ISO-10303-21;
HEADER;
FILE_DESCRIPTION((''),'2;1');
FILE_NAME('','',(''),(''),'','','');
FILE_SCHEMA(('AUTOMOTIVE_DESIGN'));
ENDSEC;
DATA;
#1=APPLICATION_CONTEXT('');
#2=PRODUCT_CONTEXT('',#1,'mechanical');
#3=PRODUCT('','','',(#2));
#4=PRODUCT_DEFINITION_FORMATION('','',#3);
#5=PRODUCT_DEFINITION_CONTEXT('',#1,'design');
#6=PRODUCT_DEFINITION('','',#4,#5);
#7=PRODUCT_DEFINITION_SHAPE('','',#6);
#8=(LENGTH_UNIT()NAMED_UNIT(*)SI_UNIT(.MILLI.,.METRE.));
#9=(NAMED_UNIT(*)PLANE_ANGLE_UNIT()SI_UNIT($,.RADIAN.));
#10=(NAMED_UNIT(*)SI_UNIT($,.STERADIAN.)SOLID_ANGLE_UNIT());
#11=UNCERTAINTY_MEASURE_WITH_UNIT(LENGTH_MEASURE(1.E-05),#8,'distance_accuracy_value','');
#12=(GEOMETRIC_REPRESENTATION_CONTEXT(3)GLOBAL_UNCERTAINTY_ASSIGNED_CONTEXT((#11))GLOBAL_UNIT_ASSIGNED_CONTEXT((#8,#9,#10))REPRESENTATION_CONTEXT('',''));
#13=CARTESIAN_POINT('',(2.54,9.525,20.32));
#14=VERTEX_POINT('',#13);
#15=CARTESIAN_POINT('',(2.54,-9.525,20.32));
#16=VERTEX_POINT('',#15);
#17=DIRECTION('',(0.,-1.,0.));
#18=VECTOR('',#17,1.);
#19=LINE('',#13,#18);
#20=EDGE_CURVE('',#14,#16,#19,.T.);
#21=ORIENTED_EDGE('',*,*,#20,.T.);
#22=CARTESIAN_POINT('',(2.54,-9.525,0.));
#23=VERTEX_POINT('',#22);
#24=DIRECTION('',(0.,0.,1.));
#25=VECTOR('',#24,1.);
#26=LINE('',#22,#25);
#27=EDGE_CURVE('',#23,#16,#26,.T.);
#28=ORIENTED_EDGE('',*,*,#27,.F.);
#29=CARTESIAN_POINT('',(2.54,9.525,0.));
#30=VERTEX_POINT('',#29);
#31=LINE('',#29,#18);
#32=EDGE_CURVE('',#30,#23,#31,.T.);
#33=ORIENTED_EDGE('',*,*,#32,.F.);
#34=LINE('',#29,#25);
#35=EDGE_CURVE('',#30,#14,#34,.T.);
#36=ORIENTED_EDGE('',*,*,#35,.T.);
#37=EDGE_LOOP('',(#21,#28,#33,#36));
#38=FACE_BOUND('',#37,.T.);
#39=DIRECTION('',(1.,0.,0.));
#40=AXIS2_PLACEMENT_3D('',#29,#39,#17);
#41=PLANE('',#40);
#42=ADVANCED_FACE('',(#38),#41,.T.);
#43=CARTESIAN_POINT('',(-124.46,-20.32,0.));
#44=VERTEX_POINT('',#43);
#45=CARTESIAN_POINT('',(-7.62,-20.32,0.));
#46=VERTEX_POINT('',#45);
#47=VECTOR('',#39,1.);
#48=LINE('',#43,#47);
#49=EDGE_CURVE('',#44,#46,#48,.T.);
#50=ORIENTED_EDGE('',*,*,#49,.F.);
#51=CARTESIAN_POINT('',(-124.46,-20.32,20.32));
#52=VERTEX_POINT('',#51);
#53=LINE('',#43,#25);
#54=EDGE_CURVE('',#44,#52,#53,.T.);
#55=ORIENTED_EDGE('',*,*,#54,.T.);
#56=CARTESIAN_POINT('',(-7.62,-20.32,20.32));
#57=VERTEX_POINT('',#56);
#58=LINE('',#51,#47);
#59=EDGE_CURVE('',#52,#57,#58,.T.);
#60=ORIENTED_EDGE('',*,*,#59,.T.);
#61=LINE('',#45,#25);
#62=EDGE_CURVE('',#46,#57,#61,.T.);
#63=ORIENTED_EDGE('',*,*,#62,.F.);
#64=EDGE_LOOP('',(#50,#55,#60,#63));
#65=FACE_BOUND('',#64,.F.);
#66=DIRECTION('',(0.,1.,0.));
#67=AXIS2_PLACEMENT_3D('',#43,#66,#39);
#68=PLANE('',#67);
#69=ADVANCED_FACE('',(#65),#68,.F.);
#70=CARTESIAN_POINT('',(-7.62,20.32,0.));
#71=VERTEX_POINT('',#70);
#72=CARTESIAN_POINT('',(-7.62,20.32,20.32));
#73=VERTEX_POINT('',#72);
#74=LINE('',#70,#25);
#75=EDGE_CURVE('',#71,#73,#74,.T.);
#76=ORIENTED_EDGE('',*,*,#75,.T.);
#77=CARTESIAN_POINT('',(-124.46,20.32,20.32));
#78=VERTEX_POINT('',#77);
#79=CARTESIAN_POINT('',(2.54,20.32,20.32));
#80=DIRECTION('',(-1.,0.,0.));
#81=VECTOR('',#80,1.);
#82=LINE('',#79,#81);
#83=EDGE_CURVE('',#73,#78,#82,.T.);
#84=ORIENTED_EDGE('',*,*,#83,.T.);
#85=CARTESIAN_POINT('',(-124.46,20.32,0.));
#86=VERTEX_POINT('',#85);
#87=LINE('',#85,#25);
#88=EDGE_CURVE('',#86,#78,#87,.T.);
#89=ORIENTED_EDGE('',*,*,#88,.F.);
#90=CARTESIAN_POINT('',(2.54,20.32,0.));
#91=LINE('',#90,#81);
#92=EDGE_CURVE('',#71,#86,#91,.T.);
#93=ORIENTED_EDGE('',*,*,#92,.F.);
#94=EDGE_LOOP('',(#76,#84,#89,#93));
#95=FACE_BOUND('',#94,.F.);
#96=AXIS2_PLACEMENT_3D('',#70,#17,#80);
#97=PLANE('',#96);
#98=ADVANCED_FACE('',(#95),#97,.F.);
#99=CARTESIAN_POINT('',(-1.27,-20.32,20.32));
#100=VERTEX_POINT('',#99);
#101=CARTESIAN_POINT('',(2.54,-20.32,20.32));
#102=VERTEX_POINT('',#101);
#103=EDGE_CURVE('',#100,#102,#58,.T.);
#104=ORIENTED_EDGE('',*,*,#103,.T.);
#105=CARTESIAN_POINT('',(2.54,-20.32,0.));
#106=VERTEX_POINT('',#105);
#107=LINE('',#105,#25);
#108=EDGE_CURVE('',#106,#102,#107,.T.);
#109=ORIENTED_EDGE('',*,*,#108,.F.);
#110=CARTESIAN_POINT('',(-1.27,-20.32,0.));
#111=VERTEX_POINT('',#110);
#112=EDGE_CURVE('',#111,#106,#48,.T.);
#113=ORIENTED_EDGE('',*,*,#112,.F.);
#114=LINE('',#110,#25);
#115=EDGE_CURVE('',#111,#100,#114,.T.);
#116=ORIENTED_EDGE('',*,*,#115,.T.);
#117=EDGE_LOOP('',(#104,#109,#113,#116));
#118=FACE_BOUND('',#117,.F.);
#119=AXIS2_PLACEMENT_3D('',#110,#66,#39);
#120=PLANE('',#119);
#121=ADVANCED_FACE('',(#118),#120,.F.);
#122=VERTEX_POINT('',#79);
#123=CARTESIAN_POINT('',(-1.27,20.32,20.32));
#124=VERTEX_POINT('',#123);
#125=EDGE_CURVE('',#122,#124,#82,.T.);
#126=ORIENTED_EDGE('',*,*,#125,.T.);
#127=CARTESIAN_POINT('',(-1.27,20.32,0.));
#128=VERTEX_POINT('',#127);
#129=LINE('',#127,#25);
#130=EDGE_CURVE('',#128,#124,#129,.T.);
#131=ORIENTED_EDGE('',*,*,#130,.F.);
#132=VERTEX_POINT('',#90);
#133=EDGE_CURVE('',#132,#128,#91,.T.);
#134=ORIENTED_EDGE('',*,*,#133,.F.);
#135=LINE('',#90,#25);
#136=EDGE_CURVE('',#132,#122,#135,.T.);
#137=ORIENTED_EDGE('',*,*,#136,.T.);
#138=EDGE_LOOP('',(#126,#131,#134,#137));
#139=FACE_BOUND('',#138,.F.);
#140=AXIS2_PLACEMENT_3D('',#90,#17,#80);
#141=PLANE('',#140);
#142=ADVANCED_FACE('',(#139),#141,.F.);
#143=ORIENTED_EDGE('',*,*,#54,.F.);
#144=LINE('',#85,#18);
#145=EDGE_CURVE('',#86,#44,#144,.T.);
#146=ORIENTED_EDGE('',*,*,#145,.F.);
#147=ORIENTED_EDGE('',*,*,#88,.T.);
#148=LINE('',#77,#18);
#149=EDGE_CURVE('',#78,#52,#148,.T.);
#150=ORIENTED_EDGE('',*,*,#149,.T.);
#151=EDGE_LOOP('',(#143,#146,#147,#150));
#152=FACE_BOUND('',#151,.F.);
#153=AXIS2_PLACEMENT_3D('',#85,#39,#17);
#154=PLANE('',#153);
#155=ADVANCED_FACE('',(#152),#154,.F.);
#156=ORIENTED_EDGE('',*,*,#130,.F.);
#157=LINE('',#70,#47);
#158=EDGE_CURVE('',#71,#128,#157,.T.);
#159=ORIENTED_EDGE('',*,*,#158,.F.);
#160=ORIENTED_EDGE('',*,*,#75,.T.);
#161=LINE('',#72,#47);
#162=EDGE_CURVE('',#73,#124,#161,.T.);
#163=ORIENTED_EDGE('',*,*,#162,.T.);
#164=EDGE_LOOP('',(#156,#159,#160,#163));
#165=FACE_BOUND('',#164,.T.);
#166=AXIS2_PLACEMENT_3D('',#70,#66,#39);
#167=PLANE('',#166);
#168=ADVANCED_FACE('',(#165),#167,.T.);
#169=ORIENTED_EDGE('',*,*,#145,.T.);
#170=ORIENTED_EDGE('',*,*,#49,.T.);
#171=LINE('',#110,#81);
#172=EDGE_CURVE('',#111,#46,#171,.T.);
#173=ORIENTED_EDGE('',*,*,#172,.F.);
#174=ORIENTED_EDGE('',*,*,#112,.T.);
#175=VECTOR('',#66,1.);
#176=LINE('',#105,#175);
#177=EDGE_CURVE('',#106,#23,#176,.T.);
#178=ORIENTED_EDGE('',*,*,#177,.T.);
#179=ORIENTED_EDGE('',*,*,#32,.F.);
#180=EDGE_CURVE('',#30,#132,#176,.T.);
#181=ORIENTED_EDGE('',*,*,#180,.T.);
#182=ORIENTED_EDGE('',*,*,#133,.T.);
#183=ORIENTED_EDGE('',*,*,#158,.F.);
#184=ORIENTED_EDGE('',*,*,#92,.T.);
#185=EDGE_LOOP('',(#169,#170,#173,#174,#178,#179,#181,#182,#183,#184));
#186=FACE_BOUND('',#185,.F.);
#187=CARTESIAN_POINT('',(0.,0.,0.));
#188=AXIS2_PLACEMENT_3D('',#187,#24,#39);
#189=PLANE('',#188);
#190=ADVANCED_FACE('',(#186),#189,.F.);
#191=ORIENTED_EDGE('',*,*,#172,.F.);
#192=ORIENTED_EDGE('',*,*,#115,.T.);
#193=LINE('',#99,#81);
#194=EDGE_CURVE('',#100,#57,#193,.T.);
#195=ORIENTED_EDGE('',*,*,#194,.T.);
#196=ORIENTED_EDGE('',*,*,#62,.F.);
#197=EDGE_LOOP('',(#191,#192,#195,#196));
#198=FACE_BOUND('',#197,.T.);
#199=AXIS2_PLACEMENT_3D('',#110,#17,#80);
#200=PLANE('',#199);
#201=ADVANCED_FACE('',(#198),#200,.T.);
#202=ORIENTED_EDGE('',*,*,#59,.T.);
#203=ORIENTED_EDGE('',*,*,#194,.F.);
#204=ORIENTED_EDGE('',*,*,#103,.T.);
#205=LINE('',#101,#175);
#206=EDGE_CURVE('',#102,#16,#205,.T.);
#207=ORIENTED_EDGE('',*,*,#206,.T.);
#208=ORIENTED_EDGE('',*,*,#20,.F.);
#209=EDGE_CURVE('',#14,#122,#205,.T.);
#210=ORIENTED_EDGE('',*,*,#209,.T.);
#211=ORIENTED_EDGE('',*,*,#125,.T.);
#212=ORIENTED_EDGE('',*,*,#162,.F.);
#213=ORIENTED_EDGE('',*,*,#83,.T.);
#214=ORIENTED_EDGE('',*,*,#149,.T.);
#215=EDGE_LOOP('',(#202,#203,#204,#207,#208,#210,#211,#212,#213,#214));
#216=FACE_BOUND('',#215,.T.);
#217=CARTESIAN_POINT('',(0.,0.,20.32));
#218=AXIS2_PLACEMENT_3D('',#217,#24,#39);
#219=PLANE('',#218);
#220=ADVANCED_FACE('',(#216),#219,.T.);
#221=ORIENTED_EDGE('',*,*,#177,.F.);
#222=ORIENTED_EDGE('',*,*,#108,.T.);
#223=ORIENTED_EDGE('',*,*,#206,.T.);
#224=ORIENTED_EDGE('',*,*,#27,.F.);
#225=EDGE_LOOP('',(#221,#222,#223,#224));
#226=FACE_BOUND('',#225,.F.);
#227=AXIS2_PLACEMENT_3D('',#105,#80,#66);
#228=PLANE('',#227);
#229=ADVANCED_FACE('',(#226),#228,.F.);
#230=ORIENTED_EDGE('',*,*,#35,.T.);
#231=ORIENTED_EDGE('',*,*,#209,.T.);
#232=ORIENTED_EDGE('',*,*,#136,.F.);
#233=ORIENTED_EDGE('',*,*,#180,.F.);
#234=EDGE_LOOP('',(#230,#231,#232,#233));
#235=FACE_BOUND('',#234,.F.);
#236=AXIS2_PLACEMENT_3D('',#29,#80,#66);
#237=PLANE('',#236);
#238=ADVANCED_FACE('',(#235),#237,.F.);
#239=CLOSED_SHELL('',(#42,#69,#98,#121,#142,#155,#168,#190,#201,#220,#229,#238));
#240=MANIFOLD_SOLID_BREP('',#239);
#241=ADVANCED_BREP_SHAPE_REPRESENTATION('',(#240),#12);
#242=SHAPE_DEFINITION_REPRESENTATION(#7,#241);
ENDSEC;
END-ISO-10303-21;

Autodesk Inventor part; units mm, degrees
ref_plane "YZ Plane" through (0, 0, 0) normal (1, 0, 0) x (0, 1, 0)
ref_plane "XZ Plane" through (0, 0, 0) normal (0, 1, 0) x (-1, 0, 0)
ref_plane "XY Plane" through (0, 0, 0) normal (0, 0, 1) x (1, 0, 0)
sketch "Sketch1" plane through (0, 0, 0) normal (0, 0, 1) x (1, 0, 0)
  line L0 (-7.62, 20.32) -> (-1.27, 20.32) projected
  line L1 (2.54, 9.525) -> (2.54, -9.525) projected
  line L2 (-1.27, -20.32) -> (-7.62, -20.32) projected
  line L3 (2.54, 20.32) -> (-124.46, 20.32)
  line L4 (-124.46, 20.32) -> (-124.46, -20.32)
  line L5 (-124.46, -20.32) -> (2.54, -20.32)
  line L6 (2.54, -20.32) -> (2.54, 20.32)
  point P0 (0, 0)
  dimension "d0" = 127
extrude "Extrusion1" add sketch "Sketch1" along normal blind 20.32
properties part number "Battery" material "Acetal Resin, Black"
